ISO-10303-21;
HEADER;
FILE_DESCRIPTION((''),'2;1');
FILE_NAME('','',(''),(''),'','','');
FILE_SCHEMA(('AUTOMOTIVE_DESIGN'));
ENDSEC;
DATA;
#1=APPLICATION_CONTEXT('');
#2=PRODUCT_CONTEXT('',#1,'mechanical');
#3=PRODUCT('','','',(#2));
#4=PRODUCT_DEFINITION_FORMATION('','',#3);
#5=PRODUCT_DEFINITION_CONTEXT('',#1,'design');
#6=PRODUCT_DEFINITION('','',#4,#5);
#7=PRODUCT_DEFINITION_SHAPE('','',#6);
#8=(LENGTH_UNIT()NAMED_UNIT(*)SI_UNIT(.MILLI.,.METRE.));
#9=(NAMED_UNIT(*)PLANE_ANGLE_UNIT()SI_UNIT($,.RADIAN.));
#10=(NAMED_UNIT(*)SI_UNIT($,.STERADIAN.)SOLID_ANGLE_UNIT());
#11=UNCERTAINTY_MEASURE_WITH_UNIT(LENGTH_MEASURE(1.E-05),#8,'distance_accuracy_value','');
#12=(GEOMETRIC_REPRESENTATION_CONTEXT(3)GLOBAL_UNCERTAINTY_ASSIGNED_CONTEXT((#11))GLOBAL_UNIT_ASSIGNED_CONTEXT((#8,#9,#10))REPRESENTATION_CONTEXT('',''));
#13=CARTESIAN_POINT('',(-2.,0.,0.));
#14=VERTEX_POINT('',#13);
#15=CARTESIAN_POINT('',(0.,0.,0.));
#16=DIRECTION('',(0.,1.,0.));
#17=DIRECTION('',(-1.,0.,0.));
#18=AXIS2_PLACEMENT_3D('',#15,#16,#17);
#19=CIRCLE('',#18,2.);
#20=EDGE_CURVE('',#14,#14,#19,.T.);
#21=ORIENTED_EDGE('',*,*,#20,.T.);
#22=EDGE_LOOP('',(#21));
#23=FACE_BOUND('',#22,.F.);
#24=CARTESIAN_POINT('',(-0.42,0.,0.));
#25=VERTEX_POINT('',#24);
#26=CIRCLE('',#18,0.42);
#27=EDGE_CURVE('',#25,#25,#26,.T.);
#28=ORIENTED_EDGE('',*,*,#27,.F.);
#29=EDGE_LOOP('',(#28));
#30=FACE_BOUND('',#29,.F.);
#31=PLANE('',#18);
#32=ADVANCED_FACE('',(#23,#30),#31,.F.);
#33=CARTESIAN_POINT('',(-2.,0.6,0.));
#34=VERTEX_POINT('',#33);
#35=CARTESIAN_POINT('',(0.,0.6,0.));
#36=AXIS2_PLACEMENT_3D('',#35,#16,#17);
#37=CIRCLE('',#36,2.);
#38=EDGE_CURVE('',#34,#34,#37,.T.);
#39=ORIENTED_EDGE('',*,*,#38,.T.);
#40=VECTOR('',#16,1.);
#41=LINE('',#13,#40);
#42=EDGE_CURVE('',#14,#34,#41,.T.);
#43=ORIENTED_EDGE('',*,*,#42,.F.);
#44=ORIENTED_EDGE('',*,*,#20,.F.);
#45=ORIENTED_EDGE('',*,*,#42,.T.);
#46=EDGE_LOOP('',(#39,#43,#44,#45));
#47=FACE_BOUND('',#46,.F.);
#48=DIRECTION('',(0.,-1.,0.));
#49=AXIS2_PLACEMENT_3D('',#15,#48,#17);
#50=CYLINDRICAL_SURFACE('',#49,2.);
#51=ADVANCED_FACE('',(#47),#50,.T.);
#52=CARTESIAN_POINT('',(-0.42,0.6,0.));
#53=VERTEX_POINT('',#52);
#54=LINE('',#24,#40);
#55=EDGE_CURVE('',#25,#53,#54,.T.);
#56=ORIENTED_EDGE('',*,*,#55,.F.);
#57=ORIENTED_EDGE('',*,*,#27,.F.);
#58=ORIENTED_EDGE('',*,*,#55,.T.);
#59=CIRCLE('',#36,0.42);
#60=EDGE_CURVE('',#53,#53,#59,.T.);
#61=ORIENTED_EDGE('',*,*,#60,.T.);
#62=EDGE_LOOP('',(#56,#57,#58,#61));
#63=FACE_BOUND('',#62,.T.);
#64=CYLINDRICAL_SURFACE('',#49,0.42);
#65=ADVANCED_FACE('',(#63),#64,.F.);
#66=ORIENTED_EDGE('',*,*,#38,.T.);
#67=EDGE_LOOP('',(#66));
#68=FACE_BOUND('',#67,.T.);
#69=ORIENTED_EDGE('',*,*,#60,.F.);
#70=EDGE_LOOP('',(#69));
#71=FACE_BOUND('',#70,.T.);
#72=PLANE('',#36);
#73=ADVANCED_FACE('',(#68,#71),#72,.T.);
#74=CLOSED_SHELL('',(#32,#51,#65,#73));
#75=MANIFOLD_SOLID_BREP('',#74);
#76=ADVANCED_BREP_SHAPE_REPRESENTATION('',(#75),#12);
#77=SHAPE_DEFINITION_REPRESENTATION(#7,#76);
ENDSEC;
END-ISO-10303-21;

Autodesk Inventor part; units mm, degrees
ref_plane "YZ Plane" through (0, 0, 0) normal (1, 0, 0) x (0, 1, 0)
ref_plane "XZ Plane" through (0, 0, 0) normal (0, 1, 0) x (-1, 0, 0)
ref_plane "XY Plane" through (0, 0, 0) normal (0, 0, 1) x (1, 0, 0)
sketch "Boceto1" plane through (0, 0, 0) normal (0, 1, 0) x (-1, 0, 0)
  circle A0 centre (0, 0) radius 2
  circle A1 centre (0, 0) radius 0.42
  dimension "d0" = 4
  dimension "d1" = 0.84
extrude "Extrusión1" add sketch "Boceto1" along normal blind 0.6
